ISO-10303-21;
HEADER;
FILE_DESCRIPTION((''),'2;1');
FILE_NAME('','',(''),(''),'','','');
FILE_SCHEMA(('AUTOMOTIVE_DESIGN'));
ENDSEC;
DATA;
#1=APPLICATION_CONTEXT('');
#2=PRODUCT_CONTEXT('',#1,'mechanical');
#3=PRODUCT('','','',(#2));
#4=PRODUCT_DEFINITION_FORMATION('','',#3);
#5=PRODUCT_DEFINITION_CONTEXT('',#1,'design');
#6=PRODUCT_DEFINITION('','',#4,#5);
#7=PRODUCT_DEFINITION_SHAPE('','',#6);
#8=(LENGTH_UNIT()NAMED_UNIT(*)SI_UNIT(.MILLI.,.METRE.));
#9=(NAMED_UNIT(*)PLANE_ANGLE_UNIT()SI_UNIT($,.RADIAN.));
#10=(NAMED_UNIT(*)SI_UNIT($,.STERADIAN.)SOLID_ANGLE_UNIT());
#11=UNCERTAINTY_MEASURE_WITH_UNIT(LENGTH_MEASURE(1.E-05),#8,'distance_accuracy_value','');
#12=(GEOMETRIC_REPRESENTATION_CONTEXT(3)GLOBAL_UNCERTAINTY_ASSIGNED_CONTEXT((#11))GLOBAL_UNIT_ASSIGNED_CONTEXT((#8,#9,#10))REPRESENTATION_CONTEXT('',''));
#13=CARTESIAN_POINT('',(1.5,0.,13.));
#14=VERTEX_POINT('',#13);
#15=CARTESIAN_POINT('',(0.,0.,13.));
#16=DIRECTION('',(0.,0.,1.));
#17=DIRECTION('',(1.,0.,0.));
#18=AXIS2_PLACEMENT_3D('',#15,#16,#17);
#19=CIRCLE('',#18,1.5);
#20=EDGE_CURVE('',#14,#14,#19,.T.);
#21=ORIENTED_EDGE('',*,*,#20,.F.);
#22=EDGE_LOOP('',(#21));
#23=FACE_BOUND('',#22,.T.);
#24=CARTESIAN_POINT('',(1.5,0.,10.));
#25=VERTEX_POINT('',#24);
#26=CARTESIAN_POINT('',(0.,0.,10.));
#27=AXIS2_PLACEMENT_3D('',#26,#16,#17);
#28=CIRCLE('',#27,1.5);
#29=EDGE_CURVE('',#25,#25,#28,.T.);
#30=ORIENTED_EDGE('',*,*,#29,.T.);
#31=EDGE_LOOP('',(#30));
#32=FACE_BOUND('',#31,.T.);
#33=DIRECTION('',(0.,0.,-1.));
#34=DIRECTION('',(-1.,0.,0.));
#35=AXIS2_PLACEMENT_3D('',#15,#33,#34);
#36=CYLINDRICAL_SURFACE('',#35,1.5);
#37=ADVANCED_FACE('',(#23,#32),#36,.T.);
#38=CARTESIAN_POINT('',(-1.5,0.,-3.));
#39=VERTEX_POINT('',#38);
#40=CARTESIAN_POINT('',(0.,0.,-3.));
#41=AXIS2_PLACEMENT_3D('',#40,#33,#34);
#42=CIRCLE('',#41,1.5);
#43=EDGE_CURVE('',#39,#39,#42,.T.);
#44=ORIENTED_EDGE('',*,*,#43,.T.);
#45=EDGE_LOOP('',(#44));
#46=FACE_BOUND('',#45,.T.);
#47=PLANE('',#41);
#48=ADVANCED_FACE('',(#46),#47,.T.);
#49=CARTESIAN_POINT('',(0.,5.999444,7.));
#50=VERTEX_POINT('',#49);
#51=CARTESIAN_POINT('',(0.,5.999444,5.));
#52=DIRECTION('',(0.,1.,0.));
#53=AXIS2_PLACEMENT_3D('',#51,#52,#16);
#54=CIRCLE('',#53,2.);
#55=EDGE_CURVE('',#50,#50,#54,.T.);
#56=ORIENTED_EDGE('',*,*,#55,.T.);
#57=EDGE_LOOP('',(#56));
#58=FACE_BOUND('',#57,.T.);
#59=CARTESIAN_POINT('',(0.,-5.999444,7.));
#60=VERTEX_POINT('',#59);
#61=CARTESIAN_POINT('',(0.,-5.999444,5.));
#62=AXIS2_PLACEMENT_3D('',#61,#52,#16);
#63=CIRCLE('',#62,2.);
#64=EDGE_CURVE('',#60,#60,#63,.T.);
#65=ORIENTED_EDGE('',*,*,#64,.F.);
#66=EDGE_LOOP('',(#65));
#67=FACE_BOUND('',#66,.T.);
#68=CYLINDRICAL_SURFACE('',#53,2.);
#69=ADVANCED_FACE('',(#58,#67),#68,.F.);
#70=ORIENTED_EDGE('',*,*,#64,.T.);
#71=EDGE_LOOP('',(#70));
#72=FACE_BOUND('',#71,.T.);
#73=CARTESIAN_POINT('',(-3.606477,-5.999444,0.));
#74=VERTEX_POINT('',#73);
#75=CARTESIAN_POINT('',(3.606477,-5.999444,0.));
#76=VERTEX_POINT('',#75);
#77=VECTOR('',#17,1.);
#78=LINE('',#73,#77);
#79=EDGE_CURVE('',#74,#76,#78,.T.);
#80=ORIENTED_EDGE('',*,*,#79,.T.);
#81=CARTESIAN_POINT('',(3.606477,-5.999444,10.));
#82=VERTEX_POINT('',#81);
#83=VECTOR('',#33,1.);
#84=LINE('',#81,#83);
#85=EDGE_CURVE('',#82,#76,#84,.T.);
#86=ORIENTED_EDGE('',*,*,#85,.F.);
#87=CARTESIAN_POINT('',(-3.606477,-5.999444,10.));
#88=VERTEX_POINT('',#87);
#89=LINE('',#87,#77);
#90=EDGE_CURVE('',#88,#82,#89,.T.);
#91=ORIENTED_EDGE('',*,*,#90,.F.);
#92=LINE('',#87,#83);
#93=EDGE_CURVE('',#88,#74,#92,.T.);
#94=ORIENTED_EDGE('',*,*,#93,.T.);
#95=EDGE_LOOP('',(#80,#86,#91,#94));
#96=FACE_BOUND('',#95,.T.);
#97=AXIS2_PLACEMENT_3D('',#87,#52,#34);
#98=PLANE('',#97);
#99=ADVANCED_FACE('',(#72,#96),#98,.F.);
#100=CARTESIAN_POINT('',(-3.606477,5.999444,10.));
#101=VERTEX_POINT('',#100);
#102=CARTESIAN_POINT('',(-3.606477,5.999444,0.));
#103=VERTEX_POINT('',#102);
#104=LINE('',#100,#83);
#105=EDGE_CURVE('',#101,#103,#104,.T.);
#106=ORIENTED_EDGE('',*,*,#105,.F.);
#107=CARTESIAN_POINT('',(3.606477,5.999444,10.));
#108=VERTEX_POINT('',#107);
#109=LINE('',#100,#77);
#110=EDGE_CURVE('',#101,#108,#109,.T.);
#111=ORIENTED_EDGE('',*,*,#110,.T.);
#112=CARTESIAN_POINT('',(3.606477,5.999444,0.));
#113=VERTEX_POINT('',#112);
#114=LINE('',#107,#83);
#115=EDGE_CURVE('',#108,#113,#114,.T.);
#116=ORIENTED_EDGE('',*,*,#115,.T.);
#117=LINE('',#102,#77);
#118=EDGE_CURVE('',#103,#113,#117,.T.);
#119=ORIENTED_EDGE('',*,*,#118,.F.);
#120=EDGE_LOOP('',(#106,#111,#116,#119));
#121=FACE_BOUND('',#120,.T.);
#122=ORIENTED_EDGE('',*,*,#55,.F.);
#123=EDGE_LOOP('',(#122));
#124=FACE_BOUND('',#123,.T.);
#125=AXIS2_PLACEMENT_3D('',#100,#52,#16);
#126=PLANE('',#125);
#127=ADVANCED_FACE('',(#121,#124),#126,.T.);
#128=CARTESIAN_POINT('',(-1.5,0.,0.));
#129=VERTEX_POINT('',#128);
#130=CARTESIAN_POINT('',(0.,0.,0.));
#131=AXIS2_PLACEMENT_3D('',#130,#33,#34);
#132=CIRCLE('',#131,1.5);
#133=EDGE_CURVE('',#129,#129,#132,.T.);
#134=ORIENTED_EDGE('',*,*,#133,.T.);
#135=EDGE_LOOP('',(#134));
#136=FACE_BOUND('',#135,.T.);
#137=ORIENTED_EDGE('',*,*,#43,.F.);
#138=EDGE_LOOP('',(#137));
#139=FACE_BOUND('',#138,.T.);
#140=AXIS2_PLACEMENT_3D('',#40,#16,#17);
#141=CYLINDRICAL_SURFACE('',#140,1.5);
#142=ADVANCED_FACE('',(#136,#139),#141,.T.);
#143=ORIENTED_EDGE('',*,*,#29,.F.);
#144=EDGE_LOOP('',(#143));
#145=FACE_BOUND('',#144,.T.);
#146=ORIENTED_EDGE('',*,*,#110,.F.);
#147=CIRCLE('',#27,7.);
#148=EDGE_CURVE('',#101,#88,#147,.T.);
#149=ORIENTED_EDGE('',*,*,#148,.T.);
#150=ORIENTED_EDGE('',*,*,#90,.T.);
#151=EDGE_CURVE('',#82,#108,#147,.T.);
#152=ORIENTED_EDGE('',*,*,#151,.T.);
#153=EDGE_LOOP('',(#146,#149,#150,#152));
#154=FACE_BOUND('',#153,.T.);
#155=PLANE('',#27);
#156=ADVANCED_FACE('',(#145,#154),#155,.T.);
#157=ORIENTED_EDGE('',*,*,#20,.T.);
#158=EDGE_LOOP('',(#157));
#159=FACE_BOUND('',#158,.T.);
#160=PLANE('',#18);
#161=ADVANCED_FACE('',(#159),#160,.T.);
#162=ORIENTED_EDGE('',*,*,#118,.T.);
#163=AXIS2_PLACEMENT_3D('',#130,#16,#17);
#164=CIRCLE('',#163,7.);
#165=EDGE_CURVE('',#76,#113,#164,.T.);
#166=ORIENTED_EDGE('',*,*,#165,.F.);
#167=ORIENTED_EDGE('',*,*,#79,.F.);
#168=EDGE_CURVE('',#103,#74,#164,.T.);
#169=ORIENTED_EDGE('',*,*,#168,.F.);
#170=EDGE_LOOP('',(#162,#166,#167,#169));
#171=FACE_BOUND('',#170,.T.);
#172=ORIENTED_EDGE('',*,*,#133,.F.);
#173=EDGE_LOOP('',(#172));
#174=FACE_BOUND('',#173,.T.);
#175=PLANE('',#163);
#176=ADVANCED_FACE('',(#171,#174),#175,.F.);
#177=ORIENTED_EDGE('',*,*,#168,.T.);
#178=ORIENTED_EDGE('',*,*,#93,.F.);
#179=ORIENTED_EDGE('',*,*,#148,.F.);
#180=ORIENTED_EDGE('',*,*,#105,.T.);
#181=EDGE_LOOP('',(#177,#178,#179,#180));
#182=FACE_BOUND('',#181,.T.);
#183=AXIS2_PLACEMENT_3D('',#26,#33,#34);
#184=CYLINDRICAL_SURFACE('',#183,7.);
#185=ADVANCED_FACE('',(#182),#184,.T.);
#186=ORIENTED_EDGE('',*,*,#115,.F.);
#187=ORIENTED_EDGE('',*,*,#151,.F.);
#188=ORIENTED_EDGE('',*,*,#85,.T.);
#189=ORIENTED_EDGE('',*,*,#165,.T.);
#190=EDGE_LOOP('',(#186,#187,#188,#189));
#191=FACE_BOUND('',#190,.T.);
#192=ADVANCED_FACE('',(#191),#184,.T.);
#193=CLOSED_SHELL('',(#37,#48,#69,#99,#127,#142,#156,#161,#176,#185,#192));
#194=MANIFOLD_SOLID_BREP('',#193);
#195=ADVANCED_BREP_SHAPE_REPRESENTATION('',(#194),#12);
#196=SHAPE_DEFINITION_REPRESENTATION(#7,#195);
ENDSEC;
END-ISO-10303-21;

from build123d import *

# Parameters (mm, degrees)
BASE_EXTRUSION_DEPTH = 10
ESQUISSE2_R          = 1.5
BOSS_EXTRU_1_DEPTH   = 3
BOSS_EXTRU_2_START   = 3
ESQUISSE3_R          = 1.5
BOSS_EXTRU_2_DEPTH   = 3
PER_AGE1_D           = 4
PER_AGE1_DEPTH       = 11.99888719
PER_AGE1_TIP         = 1.201721238


with BuildPart() as part:
    # Esquisse1 → Base-Extrusion (new body)
    with BuildSketch(Plane.XY):
        with BuildLine():
            Line((-3.606477028, 5.999443595), (3.606477028, 5.999443595))
            ThreePointArc((3.606477028, 5.999443595), (7, 0), (3.606477028, -5.999443595))
            Line((3.606477028, -5.999443595), (-3.606477028, -5.999443595))
            ThreePointArc((-3.606477028, -5.999443595), (-7, 0), (-3.606477028, 5.999443595))
        make_face()
    extrude(amount=BASE_EXTRUSION_DEPTH)

    # Esquisse2 → Boss.-Extru.1 (add)
    with BuildSketch(Plane.XY.offset(10)):
        Circle(ESQUISSE2_R)
    extrude(amount=BOSS_EXTRU_1_DEPTH)

    # Esquisse3 → Boss.-Extru.2 (add)
    with BuildSketch(Plane(origin=(0, 0, 0), x_dir=(-1, 0, 0), z_dir=(0, 0, -1)).offset(BOSS_EXTRU_2_START)):
        with Locations(Location((0, 0, 0), (0, 0, 180))):
            Circle(ESQUISSE3_R)
    extrude(amount=-BOSS_EXTRU_2_DEPTH)

    # Perçage1
    with Locations(Plane(origin=(0, 5.999443595, 0), x_dir=(-1, 0, 0), z_dir=(0, 1, 0))):
        with Locations((0, 5)):
            Hole(PER_AGE1_D / 2, depth=PER_AGE1_DEPTH)
            with Locations((0, 0, -(PER_AGE1_DEPTH + PER_AGE1_TIP / 2))):  # 118° drill point
                Cone(0, PER_AGE1_D / 2, PER_AGE1_TIP, mode=Mode.SUBTRACT)


solid = part.part
